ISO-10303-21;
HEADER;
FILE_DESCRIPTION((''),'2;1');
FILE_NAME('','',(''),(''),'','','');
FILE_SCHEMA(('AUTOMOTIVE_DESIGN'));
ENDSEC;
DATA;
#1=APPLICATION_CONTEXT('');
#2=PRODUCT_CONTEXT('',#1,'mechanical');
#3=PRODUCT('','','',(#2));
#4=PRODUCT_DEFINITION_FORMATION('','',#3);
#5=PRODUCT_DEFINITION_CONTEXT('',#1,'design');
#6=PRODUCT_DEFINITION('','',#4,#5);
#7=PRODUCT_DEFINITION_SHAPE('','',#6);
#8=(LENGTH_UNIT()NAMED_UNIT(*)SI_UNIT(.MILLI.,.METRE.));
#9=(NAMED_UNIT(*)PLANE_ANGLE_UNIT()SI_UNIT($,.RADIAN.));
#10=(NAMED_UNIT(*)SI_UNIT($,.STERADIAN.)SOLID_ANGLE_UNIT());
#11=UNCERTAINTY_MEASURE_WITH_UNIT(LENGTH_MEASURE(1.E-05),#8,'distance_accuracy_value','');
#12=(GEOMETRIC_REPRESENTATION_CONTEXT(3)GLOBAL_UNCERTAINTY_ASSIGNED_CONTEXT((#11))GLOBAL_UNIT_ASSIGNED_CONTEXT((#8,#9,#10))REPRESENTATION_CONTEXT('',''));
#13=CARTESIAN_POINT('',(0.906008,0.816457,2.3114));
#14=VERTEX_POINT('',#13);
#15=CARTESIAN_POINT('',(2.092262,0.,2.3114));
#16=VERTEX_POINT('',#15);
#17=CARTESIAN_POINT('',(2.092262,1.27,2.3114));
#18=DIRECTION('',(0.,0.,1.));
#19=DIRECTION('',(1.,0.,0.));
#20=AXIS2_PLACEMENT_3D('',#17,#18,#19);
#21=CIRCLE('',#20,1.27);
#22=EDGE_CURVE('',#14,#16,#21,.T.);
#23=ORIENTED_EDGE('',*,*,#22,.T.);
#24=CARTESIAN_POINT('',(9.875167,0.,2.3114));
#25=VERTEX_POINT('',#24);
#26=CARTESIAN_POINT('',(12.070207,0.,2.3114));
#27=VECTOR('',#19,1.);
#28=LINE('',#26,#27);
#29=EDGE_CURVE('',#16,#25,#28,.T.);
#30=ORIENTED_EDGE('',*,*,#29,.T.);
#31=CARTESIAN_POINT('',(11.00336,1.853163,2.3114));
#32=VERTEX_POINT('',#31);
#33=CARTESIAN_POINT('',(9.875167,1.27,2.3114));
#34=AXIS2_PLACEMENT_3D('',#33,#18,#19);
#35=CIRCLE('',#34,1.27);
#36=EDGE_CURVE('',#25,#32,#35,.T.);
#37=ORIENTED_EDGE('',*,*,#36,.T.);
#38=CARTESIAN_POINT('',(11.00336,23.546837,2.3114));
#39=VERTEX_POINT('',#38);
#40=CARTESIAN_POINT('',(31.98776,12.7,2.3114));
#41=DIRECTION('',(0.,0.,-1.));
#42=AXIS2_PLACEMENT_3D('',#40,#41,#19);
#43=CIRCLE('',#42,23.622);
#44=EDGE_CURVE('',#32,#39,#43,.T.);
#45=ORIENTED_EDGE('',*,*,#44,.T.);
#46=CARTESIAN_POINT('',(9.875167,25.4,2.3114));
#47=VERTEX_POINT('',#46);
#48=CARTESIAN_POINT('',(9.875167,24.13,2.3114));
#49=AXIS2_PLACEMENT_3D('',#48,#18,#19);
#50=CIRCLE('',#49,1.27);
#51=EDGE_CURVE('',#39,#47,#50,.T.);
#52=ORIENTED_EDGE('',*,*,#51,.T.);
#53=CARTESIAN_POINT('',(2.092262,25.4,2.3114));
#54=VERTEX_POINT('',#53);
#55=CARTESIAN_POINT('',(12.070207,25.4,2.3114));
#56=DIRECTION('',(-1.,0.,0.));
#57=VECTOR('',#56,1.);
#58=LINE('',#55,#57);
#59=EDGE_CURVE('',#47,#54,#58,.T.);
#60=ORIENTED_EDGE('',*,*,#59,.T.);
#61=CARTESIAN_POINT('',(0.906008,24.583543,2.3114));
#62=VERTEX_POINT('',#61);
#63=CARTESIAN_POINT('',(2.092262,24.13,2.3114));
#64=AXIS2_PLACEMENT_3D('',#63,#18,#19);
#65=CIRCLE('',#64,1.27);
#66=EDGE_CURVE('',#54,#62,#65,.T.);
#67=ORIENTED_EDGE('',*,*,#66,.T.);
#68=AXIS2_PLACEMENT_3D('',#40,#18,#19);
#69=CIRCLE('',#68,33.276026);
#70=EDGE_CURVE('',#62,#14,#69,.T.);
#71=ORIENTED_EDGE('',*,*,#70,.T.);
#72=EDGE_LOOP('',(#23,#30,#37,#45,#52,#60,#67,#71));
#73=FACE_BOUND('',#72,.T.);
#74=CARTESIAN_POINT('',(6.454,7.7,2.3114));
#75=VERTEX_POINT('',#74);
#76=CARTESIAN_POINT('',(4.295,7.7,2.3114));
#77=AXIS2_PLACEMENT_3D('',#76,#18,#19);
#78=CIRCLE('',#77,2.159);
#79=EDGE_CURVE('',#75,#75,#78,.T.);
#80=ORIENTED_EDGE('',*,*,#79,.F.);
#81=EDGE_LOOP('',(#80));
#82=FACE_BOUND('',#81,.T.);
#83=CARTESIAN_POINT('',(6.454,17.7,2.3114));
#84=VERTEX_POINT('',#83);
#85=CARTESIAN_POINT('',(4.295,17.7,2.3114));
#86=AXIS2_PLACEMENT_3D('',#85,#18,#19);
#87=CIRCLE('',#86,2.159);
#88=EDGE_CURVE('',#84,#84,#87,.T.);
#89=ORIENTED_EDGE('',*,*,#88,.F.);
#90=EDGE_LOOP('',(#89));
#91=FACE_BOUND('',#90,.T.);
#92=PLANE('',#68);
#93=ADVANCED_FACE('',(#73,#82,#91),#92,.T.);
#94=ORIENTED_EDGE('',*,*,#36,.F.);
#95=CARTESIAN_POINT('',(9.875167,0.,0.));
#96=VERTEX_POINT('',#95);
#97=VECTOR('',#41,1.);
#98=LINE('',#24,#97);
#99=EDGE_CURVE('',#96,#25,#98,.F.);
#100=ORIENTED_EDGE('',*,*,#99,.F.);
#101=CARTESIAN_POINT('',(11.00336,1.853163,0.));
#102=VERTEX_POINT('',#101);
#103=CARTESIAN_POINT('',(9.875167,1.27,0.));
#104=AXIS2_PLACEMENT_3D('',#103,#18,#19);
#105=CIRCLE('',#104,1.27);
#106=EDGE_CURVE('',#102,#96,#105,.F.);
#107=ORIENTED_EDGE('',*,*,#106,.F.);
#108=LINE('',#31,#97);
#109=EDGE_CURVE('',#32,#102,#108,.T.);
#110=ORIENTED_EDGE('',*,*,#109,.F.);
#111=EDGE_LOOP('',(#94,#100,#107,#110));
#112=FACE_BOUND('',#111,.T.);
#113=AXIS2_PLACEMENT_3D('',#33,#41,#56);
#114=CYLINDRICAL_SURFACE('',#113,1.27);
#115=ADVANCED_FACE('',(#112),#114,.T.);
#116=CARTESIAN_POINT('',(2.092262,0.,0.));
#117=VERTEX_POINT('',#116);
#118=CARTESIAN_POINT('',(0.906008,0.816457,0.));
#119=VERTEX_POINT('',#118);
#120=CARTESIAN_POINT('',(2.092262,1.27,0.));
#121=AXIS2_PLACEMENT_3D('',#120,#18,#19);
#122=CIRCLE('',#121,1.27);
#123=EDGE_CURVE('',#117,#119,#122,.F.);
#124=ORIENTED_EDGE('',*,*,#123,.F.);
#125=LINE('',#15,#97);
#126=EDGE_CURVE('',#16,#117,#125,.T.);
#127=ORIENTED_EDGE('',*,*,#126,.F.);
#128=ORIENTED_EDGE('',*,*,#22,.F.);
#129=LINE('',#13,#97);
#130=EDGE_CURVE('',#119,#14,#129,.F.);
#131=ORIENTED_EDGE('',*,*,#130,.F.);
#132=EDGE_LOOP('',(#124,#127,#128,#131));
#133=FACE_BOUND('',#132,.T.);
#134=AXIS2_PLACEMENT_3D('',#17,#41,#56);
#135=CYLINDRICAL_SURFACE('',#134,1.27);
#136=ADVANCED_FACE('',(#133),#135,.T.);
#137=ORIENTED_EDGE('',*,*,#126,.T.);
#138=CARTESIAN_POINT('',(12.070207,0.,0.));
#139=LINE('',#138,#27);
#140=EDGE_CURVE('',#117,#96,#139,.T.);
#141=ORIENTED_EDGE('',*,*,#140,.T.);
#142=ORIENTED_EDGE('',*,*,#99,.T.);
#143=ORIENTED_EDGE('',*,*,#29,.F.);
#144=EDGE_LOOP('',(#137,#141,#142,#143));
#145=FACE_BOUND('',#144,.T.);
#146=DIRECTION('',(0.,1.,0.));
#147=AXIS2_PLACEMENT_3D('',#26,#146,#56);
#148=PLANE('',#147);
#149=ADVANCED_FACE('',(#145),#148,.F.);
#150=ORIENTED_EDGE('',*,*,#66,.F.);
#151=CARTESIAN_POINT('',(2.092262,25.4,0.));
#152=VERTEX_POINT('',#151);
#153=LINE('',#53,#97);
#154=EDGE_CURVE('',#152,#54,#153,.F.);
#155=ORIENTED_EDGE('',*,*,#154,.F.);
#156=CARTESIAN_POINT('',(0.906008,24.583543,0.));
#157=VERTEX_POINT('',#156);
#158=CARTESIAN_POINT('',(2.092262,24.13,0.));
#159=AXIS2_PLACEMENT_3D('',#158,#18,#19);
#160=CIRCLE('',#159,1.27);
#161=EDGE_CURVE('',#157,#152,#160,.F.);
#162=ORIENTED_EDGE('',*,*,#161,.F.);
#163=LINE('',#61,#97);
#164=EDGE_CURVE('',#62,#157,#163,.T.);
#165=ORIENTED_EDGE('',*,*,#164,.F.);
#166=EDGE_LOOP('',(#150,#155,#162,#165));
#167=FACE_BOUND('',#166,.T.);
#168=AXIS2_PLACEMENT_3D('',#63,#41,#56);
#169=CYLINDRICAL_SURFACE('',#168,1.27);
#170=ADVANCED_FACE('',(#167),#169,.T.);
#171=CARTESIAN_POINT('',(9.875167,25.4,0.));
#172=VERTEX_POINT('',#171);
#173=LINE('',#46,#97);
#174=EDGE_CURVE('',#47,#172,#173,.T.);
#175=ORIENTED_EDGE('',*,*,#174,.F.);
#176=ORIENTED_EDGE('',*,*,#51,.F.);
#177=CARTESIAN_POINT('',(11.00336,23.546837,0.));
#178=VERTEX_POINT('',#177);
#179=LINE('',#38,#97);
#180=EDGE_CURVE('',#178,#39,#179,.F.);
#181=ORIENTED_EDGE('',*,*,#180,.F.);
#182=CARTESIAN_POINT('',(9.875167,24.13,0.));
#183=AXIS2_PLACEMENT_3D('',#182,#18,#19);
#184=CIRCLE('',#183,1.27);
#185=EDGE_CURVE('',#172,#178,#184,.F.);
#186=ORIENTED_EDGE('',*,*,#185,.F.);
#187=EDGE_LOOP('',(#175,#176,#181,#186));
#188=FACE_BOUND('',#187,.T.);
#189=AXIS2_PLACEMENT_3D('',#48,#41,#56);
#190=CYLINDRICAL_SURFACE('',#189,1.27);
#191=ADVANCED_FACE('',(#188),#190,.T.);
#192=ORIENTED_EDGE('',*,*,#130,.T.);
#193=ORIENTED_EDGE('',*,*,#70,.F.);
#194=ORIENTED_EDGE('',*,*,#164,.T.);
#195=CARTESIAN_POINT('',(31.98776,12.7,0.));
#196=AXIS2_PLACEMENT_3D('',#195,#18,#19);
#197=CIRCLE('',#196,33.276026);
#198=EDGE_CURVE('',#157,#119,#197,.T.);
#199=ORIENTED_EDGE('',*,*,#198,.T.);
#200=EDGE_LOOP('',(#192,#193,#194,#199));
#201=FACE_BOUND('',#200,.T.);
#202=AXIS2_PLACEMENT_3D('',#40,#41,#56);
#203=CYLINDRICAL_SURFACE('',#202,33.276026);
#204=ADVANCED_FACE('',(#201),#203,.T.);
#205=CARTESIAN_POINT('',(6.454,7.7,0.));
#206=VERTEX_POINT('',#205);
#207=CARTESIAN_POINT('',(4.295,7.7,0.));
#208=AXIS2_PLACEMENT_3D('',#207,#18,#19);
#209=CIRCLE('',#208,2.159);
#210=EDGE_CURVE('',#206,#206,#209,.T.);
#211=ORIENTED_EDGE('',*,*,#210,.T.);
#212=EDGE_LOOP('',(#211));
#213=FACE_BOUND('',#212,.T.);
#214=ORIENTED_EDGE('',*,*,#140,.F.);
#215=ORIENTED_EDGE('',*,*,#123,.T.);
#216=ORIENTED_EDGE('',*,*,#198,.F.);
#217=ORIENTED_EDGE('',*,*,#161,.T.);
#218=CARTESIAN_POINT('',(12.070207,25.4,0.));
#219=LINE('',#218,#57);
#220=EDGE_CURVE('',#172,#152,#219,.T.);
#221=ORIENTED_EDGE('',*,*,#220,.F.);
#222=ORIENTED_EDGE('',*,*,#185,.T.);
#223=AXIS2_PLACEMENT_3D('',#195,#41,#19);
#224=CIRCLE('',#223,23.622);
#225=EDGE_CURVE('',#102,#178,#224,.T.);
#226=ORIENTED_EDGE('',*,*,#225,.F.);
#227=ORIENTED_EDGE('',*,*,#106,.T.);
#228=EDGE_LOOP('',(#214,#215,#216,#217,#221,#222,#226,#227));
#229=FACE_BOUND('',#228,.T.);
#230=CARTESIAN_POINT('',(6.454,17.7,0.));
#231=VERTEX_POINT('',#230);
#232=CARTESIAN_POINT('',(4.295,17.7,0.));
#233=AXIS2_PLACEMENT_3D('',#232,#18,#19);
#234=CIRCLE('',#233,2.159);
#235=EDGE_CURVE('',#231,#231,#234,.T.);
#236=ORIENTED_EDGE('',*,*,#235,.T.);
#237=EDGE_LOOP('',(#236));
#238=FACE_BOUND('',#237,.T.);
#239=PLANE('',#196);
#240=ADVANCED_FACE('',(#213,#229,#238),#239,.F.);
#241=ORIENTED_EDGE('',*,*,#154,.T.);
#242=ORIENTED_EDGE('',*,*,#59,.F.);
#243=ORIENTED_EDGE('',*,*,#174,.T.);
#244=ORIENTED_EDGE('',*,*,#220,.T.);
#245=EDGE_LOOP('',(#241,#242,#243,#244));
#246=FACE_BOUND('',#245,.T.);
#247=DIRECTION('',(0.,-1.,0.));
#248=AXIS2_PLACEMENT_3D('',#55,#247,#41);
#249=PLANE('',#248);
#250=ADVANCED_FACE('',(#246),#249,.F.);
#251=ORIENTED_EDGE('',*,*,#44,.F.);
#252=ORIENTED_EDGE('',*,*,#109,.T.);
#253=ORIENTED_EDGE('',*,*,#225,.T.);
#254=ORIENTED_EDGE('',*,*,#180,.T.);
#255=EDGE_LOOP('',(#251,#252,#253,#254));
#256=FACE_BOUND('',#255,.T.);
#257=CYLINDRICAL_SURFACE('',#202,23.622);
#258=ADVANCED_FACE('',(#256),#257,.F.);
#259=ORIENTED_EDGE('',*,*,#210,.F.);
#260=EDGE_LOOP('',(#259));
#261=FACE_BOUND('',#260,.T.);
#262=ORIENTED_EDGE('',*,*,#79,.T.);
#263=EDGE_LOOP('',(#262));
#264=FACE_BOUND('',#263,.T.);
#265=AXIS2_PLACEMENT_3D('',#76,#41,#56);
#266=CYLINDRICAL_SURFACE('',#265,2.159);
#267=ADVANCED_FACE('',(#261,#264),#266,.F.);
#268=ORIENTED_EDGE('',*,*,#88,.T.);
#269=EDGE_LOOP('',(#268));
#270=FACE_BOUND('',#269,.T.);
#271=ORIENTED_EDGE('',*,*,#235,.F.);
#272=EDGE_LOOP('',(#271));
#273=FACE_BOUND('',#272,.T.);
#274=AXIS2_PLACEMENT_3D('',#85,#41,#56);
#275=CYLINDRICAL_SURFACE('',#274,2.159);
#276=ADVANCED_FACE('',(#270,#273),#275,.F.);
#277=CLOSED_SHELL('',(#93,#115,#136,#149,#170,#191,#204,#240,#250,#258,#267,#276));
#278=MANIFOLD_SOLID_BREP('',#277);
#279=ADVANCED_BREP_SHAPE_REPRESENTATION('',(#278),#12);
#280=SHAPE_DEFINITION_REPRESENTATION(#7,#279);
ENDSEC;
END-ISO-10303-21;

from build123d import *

# Parameters (mm, degrees)
SKETCH1_R           = 2.15900001
BOSS_EXTRUDE1_DEPTH = 2.3114
FILLET2_R           = 1.27


with BuildPart() as part:
    # Sketch1 → Boss-Extrude1 (new body)
    with BuildSketch(Plane.XY):
        with BuildLine():
            Line((12.070207479, 25.399999934), (1.230583588, 25.399999934))
            ThreePointArc((1.230583588, 25.399999934), (-1.28826593, 12.699999967), (1.230583588, 0))
            Line((1.230583588, 0), (12.070207479, 0))
            ThreePointArc((12.070207479, 0), (8.365759658, 12.699999967), (12.070207479, 25.399999934))
        make_face()
        with Locations((4.295000046, 17.7)):
            Circle(SKETCH1_R, mode=Mode.SUBTRACT)
        with Locations((4.295000046, 7.699999934)):
            Circle(SKETCH1_R, mode=Mode.SUBTRACT)
    extrude(amount=BOSS_EXTRUDE1_DEPTH)

    # Fillet2
    fillet2_edges = [part.edges().sort_by_distance(p)[0] for p in [
        (1.230583588, 25.399999934, 1.1557),
        (12.070207479, 25.399999934, 1.1557),
        (12.070207479, 0, 1.1557),
        (1.230583588, 0, 1.1557),
    ]]
    fillet(fillet2_edges, radius=FILLET2_R)


solid = part.part
